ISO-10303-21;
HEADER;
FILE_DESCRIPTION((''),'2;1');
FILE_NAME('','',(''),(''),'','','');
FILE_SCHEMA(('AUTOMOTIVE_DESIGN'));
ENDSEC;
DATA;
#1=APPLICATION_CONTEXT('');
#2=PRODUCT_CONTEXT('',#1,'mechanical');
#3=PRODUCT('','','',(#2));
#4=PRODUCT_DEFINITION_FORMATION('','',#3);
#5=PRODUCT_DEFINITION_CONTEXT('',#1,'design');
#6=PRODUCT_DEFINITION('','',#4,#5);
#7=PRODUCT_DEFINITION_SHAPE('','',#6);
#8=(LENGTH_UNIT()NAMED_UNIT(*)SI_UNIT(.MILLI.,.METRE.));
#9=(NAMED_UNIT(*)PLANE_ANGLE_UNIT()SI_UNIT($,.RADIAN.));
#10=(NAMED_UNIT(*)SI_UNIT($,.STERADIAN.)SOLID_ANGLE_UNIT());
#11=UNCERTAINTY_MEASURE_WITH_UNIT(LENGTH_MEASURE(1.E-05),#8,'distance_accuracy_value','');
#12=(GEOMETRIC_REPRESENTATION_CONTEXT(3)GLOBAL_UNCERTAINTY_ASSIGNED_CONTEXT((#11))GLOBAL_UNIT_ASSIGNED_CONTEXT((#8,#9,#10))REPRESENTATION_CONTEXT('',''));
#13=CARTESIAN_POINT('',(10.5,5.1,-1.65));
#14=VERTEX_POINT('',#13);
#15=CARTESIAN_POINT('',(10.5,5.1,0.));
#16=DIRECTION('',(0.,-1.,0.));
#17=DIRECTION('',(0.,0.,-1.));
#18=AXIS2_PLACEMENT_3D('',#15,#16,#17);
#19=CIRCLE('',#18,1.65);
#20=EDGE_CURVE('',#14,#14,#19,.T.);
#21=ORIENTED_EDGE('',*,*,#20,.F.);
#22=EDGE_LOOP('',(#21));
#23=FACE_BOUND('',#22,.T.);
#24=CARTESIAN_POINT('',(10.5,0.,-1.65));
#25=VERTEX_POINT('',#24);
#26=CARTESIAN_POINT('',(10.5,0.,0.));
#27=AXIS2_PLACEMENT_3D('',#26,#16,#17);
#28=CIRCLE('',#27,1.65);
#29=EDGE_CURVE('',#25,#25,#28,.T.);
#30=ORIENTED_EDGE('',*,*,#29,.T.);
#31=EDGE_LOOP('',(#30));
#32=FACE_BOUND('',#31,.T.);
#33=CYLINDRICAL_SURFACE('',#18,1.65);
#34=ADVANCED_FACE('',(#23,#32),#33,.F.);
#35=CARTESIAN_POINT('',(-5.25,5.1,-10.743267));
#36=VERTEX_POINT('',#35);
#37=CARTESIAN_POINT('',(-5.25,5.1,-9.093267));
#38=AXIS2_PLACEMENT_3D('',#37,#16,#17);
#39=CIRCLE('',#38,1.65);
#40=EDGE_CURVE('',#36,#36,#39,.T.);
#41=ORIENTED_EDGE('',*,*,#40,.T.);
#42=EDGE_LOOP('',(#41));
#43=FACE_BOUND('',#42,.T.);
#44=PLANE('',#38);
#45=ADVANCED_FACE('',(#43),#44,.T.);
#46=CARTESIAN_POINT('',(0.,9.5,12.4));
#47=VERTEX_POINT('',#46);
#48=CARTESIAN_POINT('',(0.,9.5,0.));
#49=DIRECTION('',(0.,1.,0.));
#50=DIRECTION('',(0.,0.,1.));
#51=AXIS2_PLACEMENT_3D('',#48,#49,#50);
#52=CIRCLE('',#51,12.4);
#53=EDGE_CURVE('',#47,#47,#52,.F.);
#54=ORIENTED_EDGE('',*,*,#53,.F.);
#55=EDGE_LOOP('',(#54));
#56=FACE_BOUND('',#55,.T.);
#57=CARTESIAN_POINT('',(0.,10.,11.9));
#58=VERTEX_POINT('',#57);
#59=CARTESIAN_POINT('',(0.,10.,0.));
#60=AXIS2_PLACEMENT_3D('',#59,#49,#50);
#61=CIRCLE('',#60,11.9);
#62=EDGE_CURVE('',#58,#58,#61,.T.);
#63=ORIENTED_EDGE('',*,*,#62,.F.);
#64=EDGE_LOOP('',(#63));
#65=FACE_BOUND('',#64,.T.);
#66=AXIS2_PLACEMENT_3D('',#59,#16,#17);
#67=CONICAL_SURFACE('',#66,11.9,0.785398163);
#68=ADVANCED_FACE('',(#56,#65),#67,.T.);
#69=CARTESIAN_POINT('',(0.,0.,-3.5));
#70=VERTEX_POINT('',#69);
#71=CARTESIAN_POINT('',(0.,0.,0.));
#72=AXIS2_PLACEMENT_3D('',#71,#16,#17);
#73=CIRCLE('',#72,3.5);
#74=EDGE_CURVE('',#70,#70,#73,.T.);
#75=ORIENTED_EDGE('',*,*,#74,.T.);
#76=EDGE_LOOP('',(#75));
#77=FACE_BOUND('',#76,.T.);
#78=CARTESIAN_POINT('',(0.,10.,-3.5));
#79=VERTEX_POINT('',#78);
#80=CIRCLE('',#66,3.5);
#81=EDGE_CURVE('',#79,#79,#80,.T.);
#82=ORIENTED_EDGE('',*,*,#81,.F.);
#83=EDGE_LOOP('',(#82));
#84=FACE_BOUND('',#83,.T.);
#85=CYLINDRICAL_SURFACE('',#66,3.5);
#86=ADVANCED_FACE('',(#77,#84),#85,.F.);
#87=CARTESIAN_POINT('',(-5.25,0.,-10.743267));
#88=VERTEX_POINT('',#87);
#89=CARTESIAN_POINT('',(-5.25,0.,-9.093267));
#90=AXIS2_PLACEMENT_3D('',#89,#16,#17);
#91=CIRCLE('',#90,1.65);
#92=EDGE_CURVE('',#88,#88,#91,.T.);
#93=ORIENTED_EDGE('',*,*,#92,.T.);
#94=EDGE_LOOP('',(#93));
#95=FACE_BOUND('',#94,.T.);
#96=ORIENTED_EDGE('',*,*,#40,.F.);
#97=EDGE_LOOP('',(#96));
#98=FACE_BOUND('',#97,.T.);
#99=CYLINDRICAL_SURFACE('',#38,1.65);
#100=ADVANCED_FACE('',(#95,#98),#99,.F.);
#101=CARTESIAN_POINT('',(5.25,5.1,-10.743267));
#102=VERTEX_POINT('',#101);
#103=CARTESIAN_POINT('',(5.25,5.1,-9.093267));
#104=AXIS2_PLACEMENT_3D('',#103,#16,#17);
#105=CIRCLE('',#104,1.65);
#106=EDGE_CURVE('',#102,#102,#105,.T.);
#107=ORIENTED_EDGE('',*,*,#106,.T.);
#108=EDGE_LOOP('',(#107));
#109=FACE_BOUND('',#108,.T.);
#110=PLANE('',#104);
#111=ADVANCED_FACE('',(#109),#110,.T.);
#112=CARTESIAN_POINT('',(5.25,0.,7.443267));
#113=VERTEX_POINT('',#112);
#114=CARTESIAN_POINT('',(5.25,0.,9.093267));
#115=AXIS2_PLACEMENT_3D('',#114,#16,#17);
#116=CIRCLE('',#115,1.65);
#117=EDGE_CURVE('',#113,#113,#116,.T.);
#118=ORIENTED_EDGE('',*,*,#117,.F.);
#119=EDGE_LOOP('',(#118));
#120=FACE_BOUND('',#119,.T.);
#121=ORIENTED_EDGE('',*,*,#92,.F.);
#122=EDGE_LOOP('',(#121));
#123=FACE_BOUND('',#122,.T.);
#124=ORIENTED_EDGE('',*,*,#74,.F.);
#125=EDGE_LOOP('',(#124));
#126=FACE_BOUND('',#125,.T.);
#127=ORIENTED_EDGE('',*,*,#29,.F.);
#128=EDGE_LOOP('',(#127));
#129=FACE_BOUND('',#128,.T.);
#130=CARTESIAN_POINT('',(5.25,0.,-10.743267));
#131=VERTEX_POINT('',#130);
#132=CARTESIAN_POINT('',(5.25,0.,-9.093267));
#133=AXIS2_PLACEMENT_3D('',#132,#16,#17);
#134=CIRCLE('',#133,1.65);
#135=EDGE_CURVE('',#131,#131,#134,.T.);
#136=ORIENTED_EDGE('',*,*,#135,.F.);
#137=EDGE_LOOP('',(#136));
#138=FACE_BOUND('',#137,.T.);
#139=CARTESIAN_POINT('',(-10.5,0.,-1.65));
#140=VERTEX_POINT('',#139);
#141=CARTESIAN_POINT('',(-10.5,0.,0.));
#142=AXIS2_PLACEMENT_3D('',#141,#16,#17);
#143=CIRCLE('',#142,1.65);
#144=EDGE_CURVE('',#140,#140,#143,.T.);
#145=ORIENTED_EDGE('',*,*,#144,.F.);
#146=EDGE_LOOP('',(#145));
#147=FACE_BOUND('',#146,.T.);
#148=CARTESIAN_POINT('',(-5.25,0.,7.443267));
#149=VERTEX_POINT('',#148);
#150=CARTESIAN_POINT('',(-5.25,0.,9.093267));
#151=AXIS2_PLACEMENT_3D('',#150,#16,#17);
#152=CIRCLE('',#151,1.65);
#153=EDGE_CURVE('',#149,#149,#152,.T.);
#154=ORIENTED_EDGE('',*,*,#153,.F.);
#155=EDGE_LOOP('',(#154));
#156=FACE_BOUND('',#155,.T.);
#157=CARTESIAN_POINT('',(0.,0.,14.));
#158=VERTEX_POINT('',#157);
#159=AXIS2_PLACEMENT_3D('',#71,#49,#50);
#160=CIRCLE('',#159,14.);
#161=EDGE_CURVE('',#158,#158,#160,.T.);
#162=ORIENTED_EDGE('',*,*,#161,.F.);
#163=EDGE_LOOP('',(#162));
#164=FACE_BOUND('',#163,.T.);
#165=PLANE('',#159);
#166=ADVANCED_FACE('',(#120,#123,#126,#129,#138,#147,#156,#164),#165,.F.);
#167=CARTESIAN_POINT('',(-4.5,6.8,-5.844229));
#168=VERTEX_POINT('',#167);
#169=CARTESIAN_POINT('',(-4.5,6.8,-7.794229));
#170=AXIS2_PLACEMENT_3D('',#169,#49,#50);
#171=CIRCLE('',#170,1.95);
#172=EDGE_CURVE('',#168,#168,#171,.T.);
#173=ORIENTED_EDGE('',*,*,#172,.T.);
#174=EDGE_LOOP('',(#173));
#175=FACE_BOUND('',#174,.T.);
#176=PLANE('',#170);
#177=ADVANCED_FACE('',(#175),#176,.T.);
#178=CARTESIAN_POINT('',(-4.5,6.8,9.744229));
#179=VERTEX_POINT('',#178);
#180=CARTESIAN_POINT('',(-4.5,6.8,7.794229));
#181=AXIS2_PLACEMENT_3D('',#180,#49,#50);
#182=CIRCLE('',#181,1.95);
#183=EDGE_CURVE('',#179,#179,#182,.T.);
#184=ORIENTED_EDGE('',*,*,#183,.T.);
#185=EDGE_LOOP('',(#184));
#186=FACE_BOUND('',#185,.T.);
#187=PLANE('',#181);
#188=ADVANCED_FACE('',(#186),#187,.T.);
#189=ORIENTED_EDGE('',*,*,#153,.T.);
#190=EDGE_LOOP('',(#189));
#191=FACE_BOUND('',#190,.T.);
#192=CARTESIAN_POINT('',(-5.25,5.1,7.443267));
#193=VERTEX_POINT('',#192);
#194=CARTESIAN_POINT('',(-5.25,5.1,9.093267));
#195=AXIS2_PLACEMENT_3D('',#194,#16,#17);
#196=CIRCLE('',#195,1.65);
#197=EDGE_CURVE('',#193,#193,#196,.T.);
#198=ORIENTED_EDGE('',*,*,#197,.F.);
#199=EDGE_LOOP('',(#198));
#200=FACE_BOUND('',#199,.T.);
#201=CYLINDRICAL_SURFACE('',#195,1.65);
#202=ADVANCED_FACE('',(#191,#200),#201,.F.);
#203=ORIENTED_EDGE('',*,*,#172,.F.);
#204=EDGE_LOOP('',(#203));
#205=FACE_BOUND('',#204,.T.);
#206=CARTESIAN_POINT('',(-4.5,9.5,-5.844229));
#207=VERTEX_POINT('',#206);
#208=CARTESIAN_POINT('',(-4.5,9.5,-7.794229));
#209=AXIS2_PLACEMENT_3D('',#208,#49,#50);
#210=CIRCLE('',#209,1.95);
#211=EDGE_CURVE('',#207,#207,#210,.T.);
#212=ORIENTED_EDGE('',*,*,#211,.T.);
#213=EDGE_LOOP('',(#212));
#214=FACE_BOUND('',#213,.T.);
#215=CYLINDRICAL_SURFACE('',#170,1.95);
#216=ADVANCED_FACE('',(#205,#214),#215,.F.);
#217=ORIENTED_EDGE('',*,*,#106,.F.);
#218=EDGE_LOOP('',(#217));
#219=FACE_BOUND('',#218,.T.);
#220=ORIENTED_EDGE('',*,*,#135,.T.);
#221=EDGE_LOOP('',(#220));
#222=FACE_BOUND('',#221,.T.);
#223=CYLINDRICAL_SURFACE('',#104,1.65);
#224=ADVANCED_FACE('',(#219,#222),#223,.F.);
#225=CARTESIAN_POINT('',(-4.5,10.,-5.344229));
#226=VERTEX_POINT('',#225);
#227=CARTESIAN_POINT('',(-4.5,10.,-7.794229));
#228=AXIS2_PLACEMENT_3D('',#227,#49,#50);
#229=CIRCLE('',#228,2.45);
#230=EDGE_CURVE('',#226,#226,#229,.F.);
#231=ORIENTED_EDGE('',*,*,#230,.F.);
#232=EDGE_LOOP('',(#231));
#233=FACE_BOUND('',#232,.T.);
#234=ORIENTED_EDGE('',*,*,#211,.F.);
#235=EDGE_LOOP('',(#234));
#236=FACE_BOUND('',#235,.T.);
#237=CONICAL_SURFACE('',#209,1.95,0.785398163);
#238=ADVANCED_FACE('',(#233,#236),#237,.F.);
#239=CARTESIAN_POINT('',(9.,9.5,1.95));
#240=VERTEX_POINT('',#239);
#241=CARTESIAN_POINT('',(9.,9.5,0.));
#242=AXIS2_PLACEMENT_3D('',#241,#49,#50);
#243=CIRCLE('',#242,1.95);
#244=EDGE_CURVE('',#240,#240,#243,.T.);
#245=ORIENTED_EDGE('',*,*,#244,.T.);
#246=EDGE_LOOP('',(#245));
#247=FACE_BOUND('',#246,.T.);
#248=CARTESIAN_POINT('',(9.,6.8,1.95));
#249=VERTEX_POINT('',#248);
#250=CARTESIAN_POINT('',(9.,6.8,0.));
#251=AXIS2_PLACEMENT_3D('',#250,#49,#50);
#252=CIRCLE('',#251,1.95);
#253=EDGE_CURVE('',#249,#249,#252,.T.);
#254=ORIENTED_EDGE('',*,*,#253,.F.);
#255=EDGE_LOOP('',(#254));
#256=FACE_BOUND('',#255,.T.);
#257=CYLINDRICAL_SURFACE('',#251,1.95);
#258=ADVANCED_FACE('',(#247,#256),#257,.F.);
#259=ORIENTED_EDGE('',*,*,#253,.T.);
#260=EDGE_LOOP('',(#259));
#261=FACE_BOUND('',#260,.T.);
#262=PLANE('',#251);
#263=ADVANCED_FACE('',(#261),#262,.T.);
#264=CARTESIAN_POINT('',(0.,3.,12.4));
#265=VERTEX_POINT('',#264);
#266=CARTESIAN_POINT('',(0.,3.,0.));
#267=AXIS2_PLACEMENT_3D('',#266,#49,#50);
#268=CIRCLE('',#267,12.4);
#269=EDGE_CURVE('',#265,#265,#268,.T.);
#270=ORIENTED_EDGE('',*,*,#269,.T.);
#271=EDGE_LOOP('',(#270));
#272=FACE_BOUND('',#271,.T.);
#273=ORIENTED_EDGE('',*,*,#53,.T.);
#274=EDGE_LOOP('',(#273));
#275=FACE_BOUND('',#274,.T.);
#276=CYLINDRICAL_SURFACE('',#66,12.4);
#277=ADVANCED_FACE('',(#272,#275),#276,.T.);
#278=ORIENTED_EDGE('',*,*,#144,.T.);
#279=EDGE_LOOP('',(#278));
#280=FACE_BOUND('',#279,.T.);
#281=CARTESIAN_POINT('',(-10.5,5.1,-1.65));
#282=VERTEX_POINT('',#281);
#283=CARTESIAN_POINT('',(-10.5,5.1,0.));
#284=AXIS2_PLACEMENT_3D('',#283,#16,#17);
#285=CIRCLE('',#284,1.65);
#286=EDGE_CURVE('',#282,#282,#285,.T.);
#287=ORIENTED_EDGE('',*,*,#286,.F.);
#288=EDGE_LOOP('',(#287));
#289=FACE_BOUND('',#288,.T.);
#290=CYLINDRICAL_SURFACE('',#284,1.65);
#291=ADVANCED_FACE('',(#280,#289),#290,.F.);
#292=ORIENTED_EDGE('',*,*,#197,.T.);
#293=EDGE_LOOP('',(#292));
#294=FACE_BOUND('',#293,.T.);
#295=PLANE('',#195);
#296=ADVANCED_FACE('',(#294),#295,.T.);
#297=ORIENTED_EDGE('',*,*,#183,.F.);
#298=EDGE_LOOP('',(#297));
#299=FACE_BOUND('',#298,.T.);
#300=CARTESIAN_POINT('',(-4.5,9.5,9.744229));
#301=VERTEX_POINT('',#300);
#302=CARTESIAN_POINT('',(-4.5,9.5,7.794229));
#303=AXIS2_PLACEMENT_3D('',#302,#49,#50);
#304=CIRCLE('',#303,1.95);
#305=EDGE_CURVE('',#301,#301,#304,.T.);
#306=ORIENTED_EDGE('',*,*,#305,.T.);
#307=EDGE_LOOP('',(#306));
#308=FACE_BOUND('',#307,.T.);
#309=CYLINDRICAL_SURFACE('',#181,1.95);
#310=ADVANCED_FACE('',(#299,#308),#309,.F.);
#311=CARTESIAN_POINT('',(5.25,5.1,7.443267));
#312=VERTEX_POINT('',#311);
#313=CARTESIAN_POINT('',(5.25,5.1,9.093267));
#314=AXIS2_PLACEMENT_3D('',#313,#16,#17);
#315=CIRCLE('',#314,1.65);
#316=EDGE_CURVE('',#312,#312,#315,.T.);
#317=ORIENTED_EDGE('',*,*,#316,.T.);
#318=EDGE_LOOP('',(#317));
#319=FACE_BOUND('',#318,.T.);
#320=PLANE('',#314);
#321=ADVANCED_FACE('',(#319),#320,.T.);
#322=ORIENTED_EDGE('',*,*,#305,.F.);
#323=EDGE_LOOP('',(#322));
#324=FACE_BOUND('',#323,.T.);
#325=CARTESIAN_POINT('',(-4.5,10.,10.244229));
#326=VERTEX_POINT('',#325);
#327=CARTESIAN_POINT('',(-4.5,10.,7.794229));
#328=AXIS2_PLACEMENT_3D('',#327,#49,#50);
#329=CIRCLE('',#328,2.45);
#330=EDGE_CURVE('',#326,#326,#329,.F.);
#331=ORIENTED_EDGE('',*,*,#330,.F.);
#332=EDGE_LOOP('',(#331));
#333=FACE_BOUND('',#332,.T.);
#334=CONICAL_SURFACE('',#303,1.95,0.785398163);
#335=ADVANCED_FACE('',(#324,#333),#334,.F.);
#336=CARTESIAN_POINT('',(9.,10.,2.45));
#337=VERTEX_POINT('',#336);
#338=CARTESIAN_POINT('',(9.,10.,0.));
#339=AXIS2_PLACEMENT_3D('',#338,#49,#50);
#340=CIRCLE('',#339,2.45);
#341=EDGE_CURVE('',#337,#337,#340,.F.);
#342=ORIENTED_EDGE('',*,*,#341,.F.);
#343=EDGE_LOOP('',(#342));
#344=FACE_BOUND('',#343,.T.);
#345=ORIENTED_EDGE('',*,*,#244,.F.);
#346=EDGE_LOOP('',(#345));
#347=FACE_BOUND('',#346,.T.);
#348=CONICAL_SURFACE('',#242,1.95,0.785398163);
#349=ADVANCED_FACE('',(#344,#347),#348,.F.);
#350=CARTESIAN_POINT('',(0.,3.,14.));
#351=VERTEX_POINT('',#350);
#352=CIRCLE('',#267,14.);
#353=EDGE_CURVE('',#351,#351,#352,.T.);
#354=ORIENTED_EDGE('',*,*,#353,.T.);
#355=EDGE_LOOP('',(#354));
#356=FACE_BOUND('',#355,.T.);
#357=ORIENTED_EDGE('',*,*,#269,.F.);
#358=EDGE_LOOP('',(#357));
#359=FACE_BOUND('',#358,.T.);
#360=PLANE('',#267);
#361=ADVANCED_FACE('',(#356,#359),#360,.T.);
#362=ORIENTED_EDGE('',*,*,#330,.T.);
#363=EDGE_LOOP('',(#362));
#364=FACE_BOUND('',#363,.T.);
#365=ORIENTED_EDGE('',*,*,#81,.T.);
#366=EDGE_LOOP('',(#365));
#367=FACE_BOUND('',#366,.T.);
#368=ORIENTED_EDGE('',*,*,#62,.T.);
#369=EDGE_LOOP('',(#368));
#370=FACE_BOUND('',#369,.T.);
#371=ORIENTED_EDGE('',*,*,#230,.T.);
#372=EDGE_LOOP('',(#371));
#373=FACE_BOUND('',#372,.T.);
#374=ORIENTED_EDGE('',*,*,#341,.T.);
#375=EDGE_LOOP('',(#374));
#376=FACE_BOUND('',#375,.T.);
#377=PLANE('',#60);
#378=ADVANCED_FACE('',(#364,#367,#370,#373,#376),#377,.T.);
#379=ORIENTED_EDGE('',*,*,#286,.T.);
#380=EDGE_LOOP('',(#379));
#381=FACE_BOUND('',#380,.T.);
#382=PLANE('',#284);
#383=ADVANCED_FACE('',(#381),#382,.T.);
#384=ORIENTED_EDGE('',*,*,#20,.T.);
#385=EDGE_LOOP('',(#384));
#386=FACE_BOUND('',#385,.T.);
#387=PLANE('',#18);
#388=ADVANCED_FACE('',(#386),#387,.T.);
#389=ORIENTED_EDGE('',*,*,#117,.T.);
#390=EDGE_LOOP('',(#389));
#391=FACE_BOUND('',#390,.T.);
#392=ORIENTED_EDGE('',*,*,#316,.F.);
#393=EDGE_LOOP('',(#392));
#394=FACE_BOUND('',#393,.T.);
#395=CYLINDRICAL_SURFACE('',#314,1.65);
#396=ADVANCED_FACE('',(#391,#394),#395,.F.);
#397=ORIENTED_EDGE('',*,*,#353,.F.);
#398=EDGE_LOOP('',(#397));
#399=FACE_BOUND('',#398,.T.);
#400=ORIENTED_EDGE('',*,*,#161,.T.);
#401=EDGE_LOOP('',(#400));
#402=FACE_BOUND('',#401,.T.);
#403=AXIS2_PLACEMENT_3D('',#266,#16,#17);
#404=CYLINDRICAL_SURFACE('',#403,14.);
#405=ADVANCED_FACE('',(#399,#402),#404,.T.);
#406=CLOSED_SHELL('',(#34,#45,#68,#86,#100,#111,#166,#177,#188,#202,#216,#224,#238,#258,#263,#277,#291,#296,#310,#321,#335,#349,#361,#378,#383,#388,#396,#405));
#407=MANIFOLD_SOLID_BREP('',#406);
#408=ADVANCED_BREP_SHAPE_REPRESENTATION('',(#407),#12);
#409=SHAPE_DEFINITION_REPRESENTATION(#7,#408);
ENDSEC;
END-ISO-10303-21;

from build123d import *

# Parameters (mm, degrees)
SKETCH_1_R          = 14
EXTRUDE_1_DEPTH     = 3
SKETCH_2_R          = 12.4
EXTRUDE_2_DEPTH     = 7
SKETCH_3_R          = 1.65
CUT_EXTRUDE_1_DEPTH = 5.1
SKETCH_4_R          = 3.5
CUT_EXTRUDE_2_DEPTH = 11
SKETCH_6_R          = 1.95
CUT_EXTRUDE_4_DEPTH = 3.2
CHAMFER_1_SIZE      = 0.5


with BuildPart() as part:
    # 草图1 → 凸台-拉伸1 (new body)
    with BuildSketch(Plane(origin=(0, 0, 0), x_dir=(1, 0, 0), z_dir=(0, 1, 0))):
        Circle(SKETCH_1_R)
    extrude(amount=EXTRUDE_1_DEPTH)

    # 草图2 → 凸台-拉伸2 (add)
    with BuildSketch(Plane(origin=(0, 3, 0), x_dir=(1, 0, 0), z_dir=(0, 1, 0))):
        Circle(SKETCH_2_R)
    extrude(amount=EXTRUDE_2_DEPTH)

    # 草图3 → 切除-拉伸1 (cut)
    with BuildSketch(Plane.XZ):
        with Locations((10.5, 0)):
            Circle(SKETCH_3_R)
        with Locations((5.25, -9.09326674)):
            Circle(SKETCH_3_R)
        with Locations((-5.25, -9.09326674)):
            Circle(SKETCH_3_R)
        with Locations((-10.5, 0)):
            Circle(SKETCH_3_R)
        with Locations((-5.25, 9.09326674)):
            Circle(SKETCH_3_R)
        with Locations((5.25, 9.09326674)):
            Circle(SKETCH_3_R)
    extrude(amount=-CUT_EXTRUDE_1_DEPTH, mode=Mode.SUBTRACT)

    # 草图4 → 切除-拉伸2 (cut, through all)
    with BuildSketch(Plane.XZ):
        Circle(SKETCH_4_R)
    extrude(amount=-CUT_EXTRUDE_2_DEPTH, mode=Mode.SUBTRACT)

    # 草图6 → 切除-拉伸4 (cut)
    with BuildSketch(Plane(origin=(0, 10, 0), x_dir=(1, 0, 0), z_dir=(0, 1, 0))):
        with Locations((9, 0)):
            Circle(SKETCH_6_R)
        with Locations((-4.5, -7.794228634)):
            Circle(SKETCH_6_R)
        with Locations((-4.5, 7.794228634)):
            Circle(SKETCH_6_R)
    extrude(amount=-CUT_EXTRUDE_4_DEPTH, mode=Mode.SUBTRACT)

    # 倒角1
    chamfer_1_edges = [part.edges().sort_by_distance(p)[0] for p in [
        (7.05, 10, 0),
        (-6.45, 10, 7.794228634),
        (-6.45, 10, -7.794228634),
        (-12.4, 10, 0),
    ]]
    chamfer(chamfer_1_edges, length=CHAMFER_1_SIZE)


solid = part.part
